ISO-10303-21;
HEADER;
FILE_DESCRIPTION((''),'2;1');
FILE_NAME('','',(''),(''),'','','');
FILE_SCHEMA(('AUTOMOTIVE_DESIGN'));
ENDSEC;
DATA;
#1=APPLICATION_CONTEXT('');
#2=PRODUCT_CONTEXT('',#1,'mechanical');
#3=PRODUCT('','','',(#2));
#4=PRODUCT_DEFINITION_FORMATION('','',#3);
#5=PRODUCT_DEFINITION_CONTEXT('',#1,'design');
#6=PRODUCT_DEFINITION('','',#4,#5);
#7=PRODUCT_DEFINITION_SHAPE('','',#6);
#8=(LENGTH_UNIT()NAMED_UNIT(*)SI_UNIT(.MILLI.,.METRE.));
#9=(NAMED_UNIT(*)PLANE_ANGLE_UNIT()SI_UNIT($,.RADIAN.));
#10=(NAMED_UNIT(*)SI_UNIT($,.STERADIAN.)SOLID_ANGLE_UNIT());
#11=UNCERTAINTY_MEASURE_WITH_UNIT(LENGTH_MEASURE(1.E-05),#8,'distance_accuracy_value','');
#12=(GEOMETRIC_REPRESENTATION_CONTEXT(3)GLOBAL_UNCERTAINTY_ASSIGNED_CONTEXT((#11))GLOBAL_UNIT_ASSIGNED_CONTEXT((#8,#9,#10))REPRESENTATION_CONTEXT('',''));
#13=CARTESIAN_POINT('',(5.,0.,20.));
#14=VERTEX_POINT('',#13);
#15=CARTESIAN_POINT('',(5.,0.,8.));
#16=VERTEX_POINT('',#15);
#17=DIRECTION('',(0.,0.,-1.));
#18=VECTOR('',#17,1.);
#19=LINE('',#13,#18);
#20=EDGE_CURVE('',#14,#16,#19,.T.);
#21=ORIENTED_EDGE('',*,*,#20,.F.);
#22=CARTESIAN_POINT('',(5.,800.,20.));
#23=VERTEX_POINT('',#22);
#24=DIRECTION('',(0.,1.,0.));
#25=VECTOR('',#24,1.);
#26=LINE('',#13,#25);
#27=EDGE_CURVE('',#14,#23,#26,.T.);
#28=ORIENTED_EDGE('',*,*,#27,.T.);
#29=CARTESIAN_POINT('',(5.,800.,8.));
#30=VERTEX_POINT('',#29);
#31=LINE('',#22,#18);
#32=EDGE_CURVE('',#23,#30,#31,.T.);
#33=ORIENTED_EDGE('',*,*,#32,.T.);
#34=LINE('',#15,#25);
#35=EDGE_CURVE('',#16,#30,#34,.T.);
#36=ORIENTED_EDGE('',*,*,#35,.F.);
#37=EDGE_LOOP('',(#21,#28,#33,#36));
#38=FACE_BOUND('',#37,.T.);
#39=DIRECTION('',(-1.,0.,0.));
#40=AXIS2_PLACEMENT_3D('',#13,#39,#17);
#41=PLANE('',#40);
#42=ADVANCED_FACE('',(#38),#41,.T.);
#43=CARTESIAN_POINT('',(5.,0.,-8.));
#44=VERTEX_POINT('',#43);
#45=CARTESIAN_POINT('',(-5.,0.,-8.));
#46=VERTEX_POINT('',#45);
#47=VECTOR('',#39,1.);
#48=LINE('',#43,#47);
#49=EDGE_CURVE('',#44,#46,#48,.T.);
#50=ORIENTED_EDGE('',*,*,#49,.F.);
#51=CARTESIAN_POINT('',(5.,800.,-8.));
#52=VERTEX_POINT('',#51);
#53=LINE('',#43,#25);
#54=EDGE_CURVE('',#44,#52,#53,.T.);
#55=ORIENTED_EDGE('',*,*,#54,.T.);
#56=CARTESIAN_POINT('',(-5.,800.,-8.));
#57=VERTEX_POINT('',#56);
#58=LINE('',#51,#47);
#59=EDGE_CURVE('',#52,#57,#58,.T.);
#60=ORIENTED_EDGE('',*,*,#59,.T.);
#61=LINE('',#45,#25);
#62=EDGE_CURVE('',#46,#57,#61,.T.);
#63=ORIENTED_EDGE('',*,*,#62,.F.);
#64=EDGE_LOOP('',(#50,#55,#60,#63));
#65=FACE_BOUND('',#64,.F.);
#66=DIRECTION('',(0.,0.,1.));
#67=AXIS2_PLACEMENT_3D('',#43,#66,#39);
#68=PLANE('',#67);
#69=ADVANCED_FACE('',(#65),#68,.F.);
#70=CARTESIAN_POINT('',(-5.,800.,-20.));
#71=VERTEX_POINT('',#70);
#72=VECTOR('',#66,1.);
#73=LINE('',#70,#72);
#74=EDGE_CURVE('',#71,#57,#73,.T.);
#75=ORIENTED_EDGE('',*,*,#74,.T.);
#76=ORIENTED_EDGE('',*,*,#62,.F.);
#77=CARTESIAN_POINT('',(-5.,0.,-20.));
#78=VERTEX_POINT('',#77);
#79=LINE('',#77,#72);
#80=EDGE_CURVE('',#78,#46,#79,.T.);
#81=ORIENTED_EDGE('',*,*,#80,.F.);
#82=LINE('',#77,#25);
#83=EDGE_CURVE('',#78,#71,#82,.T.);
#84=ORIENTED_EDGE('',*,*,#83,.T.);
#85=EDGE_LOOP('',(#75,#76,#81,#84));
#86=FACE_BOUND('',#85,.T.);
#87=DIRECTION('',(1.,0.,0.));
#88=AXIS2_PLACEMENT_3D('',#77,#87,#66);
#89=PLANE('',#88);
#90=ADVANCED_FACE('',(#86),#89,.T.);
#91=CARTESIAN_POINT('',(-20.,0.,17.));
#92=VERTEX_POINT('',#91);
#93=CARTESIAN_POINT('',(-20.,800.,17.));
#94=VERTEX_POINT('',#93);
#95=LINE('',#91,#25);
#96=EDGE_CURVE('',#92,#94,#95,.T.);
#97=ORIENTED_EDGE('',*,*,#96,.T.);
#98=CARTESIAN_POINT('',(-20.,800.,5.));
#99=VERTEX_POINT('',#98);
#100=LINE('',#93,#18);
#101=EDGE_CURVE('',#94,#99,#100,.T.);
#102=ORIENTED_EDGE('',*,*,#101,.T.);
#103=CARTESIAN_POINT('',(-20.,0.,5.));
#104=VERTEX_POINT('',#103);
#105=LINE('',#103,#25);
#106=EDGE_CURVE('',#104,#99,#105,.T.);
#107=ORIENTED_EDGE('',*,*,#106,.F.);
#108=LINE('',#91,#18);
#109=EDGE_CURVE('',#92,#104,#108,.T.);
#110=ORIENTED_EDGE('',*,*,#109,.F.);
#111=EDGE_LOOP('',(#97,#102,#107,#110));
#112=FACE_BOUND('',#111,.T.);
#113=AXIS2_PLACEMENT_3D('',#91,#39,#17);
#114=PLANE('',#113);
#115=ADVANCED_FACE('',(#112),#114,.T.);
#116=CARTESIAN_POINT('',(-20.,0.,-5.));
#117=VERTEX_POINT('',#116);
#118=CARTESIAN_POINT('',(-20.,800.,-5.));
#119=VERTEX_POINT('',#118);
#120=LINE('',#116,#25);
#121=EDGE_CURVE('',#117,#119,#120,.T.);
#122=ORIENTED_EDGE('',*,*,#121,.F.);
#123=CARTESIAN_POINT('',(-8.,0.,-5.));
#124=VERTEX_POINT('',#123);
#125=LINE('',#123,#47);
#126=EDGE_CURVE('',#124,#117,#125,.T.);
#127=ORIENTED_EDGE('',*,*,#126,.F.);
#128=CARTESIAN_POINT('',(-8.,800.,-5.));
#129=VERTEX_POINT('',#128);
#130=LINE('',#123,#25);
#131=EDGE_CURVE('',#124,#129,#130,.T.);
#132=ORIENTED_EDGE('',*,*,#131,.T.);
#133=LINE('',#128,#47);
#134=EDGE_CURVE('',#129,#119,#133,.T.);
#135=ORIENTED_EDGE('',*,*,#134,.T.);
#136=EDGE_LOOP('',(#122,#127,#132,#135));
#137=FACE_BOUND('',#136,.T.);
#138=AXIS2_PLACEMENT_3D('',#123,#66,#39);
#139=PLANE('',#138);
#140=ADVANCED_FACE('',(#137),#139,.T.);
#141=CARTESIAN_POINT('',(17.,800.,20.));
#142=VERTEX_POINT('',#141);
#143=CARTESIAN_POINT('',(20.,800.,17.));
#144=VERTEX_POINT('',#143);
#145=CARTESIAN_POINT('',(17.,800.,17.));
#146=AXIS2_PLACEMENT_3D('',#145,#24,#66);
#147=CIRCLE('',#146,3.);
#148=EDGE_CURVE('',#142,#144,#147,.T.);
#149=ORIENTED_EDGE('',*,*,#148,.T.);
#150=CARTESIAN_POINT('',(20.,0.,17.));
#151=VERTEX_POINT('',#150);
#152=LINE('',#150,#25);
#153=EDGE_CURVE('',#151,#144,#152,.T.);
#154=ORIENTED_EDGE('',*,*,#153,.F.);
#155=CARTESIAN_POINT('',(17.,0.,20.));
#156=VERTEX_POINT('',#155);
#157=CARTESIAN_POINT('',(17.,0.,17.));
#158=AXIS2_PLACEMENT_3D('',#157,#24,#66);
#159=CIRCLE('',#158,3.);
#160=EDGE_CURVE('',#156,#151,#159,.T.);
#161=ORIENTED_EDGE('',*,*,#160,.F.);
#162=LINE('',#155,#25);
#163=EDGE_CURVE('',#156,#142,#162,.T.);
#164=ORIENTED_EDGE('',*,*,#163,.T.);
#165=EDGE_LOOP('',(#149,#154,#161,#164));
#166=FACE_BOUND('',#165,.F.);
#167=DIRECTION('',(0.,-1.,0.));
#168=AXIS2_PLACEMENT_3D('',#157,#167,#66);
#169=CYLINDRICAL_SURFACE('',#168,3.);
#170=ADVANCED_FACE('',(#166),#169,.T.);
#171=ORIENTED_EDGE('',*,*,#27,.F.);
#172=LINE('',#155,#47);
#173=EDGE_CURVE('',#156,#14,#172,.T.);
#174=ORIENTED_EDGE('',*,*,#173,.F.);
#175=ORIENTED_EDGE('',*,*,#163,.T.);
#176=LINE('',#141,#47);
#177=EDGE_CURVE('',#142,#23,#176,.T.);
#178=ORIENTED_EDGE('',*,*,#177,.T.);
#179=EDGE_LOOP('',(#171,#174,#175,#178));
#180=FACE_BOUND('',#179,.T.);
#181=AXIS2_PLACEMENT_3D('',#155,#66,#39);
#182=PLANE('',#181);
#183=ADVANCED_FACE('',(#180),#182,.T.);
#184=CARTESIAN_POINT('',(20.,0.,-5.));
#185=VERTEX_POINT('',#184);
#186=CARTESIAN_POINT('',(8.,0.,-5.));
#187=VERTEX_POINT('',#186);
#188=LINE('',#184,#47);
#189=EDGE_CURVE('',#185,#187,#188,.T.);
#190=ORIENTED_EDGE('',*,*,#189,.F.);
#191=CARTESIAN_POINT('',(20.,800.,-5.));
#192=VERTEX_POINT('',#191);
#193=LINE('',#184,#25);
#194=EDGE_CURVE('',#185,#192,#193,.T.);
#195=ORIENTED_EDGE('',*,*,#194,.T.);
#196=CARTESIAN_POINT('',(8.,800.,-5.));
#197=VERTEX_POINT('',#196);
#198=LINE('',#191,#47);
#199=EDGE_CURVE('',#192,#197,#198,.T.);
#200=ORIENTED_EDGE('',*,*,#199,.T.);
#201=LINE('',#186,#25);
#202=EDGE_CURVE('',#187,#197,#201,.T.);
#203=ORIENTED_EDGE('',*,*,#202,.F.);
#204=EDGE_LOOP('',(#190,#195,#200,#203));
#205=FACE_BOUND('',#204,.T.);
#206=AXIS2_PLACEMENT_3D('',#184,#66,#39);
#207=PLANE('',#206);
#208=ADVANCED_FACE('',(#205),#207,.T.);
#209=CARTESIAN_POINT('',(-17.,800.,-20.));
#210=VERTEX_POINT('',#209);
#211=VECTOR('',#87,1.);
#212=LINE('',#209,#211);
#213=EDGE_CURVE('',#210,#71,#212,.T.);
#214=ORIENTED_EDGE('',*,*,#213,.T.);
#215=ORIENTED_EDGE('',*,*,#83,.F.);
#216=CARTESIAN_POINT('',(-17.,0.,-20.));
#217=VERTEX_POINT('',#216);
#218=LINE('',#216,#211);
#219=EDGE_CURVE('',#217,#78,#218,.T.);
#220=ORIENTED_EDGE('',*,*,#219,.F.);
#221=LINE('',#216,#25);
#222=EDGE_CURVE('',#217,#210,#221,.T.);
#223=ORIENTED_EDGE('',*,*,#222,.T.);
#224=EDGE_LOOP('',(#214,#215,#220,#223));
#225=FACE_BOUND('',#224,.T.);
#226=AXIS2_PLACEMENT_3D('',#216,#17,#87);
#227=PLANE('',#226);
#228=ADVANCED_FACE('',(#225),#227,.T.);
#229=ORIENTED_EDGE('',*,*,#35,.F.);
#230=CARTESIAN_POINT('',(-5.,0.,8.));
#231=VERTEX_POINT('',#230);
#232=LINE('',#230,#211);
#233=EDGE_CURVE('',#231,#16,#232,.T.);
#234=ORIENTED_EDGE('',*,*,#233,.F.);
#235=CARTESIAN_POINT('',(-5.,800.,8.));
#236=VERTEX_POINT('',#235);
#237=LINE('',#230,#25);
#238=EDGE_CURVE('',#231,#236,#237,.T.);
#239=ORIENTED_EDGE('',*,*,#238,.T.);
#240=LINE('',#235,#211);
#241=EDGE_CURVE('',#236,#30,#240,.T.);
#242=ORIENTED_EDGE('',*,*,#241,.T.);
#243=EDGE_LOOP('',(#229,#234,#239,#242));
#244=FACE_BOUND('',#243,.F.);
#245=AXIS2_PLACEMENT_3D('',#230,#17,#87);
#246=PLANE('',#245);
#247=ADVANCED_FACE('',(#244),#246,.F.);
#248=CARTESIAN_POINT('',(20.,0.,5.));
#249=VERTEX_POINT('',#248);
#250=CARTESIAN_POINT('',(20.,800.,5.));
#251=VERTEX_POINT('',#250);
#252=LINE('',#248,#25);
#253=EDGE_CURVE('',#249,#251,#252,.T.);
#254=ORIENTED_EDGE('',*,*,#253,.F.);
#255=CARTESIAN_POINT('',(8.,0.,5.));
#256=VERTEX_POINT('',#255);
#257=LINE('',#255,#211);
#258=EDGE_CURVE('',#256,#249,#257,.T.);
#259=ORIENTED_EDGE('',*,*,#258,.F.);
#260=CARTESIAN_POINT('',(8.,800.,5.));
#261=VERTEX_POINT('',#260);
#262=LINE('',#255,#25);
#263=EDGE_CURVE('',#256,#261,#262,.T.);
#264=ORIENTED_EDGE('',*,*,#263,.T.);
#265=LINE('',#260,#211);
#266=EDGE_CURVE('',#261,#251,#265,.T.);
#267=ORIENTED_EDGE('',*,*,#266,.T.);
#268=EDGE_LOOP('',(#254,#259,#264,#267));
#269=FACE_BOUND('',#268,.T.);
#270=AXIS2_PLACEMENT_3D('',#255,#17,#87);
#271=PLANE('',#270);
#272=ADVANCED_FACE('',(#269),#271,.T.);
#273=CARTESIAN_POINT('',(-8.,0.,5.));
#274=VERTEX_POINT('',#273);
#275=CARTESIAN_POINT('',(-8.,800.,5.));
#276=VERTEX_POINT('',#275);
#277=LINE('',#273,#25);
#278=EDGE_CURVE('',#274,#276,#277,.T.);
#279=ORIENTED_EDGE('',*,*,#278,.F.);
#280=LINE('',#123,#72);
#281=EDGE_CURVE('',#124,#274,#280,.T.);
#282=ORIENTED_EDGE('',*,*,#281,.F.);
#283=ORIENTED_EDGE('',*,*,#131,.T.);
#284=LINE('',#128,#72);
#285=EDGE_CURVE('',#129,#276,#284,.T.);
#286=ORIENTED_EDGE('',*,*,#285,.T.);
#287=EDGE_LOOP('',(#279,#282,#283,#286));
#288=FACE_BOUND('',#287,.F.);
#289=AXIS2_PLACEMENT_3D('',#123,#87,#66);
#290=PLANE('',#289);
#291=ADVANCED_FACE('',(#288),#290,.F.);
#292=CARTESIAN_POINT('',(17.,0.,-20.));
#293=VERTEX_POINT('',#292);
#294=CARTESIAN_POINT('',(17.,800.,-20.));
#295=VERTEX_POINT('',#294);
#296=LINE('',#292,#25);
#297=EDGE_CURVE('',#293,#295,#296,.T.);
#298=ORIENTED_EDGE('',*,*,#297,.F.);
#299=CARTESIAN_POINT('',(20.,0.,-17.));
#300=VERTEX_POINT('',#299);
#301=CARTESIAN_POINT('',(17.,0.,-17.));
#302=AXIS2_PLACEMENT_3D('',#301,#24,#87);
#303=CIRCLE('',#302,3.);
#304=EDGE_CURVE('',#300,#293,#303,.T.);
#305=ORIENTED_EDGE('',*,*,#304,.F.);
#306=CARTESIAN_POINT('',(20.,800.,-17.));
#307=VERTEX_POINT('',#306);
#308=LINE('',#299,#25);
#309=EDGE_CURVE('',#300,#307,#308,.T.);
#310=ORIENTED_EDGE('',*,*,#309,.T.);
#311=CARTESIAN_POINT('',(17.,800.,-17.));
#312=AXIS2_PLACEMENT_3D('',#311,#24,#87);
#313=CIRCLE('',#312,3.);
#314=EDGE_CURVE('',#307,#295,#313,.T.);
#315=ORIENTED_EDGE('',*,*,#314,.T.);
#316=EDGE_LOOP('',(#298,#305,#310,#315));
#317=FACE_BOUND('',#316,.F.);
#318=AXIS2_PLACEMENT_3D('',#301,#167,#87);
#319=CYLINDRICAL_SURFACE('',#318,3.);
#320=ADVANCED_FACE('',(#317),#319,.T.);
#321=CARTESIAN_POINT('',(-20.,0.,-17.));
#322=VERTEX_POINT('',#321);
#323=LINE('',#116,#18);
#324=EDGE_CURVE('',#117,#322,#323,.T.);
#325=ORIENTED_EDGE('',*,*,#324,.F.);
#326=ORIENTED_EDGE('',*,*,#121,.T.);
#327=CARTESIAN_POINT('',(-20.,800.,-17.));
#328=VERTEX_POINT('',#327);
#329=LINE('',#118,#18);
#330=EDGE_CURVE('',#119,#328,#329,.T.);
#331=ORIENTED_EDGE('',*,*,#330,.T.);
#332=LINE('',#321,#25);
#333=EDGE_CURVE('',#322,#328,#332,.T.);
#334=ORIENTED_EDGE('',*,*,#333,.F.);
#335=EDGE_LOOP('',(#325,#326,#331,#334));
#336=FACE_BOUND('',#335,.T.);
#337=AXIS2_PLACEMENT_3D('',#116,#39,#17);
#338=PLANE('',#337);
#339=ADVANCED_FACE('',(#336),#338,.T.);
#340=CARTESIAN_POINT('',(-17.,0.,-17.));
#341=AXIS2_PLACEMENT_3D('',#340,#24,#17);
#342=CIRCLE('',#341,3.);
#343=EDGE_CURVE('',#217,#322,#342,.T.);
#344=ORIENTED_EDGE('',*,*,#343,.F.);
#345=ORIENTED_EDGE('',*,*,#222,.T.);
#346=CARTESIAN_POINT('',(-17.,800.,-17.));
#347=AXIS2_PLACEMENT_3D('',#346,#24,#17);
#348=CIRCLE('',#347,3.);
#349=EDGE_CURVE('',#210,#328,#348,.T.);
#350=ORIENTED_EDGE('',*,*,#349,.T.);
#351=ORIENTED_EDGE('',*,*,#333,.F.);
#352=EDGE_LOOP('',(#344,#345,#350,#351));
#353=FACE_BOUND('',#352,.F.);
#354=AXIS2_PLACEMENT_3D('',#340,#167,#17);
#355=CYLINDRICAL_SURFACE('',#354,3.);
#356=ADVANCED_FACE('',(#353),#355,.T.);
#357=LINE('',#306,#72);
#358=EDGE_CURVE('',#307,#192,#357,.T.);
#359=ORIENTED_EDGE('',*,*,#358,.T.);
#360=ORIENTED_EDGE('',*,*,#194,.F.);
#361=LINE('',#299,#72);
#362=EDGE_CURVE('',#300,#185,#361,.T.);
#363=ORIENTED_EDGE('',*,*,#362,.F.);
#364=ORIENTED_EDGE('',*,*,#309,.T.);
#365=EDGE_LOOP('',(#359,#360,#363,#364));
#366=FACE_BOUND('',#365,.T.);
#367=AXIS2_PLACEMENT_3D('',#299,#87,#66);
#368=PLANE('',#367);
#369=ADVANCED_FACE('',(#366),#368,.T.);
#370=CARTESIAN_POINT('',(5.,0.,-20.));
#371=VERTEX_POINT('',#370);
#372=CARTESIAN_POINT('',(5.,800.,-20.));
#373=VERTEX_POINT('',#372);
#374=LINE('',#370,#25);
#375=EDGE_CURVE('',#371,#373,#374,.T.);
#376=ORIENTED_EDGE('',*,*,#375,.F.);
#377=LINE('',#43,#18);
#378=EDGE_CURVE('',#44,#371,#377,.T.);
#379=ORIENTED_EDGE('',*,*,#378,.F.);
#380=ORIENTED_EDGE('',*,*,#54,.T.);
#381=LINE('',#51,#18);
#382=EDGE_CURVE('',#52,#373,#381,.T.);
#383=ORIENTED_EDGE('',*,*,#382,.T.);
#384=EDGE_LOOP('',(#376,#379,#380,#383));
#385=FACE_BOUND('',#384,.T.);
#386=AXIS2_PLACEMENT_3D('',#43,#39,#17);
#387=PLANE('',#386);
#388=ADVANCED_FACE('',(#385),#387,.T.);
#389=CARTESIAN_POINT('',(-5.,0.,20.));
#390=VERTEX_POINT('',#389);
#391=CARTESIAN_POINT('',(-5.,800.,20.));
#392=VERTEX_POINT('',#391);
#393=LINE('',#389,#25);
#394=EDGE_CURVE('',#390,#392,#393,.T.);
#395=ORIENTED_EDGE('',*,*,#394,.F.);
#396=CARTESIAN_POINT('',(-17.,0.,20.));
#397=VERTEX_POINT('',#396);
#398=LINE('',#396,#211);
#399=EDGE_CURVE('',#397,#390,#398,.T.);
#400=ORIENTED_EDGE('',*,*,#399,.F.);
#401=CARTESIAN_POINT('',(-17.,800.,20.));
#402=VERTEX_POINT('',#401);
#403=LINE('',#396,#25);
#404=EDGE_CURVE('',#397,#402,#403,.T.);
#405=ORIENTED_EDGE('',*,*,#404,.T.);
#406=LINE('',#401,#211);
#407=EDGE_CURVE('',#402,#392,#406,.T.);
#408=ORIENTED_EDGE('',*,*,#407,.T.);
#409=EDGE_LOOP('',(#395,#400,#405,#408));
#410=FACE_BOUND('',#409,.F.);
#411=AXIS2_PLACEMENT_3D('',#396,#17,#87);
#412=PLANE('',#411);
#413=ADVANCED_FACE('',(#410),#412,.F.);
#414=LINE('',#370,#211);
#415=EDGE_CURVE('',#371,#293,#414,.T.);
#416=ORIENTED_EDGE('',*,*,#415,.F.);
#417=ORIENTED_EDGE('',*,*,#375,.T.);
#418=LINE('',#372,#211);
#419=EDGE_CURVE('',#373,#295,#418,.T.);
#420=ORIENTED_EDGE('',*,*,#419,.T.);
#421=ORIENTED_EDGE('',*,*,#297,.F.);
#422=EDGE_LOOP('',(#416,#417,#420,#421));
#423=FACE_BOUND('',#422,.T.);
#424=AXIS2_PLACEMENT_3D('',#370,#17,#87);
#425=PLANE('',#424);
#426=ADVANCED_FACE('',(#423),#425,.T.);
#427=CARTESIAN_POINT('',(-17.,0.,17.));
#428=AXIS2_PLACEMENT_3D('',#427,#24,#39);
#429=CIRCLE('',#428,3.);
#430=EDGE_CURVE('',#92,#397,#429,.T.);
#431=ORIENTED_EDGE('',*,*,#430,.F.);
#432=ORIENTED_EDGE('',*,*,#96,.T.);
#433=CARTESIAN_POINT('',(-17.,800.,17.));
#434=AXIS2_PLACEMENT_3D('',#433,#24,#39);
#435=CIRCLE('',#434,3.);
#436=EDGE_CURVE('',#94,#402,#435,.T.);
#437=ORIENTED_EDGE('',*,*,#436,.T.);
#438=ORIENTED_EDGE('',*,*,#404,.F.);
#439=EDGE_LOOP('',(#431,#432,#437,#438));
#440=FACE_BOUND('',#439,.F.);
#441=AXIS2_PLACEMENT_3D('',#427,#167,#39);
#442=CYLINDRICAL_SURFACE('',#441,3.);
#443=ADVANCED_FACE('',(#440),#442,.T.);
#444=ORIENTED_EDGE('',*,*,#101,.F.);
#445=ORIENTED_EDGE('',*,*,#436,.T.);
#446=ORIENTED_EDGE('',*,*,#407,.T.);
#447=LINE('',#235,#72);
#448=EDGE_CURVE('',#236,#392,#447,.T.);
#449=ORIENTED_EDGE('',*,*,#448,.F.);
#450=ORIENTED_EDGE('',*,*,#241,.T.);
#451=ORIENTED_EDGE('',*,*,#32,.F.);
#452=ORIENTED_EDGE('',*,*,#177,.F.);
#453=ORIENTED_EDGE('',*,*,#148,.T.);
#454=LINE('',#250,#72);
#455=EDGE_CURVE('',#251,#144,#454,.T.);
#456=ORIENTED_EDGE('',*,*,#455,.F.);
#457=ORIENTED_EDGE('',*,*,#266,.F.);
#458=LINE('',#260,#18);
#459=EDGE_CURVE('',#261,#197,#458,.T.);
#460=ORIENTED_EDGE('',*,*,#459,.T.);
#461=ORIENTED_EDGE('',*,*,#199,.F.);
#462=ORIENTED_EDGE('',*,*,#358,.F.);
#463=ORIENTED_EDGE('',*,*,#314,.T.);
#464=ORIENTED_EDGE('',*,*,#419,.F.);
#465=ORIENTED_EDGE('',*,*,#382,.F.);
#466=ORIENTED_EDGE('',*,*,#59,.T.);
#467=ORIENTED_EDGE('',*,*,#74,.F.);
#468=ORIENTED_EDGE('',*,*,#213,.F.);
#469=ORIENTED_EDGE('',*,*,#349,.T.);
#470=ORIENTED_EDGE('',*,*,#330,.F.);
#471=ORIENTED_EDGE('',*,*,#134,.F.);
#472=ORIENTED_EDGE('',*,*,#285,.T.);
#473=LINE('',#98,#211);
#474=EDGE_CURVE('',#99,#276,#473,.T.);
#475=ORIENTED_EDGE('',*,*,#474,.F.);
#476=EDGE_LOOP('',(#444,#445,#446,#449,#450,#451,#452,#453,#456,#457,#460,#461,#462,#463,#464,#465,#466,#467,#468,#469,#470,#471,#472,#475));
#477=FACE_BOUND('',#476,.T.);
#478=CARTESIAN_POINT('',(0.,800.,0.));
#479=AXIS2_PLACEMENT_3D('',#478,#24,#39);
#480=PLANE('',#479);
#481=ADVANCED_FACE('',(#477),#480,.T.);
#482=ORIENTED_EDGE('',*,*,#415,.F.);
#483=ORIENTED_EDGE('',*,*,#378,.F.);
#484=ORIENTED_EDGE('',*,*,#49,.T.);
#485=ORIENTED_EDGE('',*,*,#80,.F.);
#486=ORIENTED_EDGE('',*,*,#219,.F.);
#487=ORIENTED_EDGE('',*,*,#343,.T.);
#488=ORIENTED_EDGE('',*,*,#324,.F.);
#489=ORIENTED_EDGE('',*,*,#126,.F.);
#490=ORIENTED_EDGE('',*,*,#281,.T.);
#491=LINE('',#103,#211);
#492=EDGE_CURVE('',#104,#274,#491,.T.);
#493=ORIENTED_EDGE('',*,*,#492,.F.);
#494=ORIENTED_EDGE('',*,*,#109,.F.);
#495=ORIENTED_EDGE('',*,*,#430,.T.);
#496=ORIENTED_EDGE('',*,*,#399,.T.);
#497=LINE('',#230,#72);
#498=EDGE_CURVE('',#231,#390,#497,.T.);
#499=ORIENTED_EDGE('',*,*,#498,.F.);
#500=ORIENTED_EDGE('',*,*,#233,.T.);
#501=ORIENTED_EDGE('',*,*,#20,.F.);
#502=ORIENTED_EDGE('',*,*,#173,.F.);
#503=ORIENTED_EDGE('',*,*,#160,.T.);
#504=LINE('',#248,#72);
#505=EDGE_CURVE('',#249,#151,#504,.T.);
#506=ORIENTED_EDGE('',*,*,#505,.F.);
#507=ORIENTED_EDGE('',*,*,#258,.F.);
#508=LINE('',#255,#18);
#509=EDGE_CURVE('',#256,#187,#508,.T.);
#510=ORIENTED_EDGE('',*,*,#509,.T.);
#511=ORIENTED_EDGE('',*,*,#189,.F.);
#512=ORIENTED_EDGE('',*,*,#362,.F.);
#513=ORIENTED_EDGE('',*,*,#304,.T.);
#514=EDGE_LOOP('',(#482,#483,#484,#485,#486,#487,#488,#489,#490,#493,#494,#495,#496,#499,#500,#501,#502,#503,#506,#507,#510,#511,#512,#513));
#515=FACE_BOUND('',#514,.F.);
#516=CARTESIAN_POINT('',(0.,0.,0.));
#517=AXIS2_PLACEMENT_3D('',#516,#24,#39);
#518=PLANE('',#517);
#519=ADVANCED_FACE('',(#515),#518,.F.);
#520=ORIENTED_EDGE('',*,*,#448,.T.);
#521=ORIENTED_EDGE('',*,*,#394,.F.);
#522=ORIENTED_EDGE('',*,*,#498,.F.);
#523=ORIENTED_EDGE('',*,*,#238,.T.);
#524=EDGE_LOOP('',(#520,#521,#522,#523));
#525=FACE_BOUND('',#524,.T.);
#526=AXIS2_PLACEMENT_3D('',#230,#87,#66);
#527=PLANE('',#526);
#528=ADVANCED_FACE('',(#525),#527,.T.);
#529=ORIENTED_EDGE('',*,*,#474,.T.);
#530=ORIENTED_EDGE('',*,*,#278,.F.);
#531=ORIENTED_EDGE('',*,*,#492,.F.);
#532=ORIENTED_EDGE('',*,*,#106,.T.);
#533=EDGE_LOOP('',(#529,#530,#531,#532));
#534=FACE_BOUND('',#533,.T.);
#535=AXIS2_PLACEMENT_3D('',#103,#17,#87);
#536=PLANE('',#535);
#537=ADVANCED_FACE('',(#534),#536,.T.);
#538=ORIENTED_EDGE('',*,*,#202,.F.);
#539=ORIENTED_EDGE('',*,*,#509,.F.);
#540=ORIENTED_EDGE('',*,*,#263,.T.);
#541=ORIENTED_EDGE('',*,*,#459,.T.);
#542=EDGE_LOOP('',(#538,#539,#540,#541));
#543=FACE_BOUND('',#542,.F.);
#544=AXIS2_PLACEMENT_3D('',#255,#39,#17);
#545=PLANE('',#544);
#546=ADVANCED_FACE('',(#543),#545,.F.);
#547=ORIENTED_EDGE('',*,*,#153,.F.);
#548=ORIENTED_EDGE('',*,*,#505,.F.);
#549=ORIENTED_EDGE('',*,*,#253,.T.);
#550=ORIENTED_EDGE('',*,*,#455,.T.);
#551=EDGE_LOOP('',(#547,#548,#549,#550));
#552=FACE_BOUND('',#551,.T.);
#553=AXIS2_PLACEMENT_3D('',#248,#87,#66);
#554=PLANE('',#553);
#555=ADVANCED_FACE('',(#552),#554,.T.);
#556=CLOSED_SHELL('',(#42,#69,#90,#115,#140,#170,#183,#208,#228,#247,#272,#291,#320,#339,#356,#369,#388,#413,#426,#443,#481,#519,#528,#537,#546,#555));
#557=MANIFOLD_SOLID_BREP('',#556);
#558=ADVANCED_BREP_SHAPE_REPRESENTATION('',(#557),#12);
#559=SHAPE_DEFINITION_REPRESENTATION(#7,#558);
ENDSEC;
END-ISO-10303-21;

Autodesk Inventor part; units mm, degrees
ref_plane "YZ Plane" through (0, 0, 0) normal (1, 0, 0) x (0, 1, 0)
ref_plane "XZ Plane" through (0, 0, 0) normal (0, 1, 0) x (-1, 0, 0)
ref_plane "XY Plane" through (0, 0, 0) normal (0, 0, 1) x (1, 0, 0)
sketch "Sketch1" plane through (0, 0, 0) normal (0, 1, 0) x (-1, 0, 0)
  line L0 (-5, 20) -> (-5, 8)
  line L1 (5, -20) -> (5, -8)
  line L2 (20, 5) -> (8, 5)
  line L3 (-20, -5) -> (-8, -5)
  line L4 (8, -5) -> (20, -5)
  line L5 (-8, 5) -> (-20, 5)
  line L6 (-5, -8) -> (-5, -20)
  line L7 (5, 8) -> (5, 20)
  arc A0 (-17, 20) -> (-20, 17) centre (-17, 17) ccw
  arc A1 (-20, -17) -> (-17, -20) centre (-17, -17) ccw
  arc A2 (17, -20) -> (20, -17) centre (17, -17) ccw
  arc A3 (20, 17) -> (17, 20) centre (17, 17) ccw
  line L8 (20, 17) -> (20, 5)
  line L9 (20, -5) -> (20, -17)
  line L10 (17, -20) -> (5, -20)
  line L11 (-5, -20) -> (-17, -20)
  line L12 (-20, -17) -> (-20, -5)
  line L13 (-20, 5) -> (-20, 17)
  line L14 (-17, 20) -> (-5, 20)
  line L15 (17, 20) -> (5, 20)
  line L16 (5, 8) -> (-5, 8)
  line L17 (-8, 5) -> (-8, -5)
  line L18 (-5, -8) -> (5, -8)
  line L19 (8, -5) -> (8, 5)
  point P0 (0, 0)
extrude "Extrusion1" add sketch "Sketch1" along normal blind 800
properties part number "column"
